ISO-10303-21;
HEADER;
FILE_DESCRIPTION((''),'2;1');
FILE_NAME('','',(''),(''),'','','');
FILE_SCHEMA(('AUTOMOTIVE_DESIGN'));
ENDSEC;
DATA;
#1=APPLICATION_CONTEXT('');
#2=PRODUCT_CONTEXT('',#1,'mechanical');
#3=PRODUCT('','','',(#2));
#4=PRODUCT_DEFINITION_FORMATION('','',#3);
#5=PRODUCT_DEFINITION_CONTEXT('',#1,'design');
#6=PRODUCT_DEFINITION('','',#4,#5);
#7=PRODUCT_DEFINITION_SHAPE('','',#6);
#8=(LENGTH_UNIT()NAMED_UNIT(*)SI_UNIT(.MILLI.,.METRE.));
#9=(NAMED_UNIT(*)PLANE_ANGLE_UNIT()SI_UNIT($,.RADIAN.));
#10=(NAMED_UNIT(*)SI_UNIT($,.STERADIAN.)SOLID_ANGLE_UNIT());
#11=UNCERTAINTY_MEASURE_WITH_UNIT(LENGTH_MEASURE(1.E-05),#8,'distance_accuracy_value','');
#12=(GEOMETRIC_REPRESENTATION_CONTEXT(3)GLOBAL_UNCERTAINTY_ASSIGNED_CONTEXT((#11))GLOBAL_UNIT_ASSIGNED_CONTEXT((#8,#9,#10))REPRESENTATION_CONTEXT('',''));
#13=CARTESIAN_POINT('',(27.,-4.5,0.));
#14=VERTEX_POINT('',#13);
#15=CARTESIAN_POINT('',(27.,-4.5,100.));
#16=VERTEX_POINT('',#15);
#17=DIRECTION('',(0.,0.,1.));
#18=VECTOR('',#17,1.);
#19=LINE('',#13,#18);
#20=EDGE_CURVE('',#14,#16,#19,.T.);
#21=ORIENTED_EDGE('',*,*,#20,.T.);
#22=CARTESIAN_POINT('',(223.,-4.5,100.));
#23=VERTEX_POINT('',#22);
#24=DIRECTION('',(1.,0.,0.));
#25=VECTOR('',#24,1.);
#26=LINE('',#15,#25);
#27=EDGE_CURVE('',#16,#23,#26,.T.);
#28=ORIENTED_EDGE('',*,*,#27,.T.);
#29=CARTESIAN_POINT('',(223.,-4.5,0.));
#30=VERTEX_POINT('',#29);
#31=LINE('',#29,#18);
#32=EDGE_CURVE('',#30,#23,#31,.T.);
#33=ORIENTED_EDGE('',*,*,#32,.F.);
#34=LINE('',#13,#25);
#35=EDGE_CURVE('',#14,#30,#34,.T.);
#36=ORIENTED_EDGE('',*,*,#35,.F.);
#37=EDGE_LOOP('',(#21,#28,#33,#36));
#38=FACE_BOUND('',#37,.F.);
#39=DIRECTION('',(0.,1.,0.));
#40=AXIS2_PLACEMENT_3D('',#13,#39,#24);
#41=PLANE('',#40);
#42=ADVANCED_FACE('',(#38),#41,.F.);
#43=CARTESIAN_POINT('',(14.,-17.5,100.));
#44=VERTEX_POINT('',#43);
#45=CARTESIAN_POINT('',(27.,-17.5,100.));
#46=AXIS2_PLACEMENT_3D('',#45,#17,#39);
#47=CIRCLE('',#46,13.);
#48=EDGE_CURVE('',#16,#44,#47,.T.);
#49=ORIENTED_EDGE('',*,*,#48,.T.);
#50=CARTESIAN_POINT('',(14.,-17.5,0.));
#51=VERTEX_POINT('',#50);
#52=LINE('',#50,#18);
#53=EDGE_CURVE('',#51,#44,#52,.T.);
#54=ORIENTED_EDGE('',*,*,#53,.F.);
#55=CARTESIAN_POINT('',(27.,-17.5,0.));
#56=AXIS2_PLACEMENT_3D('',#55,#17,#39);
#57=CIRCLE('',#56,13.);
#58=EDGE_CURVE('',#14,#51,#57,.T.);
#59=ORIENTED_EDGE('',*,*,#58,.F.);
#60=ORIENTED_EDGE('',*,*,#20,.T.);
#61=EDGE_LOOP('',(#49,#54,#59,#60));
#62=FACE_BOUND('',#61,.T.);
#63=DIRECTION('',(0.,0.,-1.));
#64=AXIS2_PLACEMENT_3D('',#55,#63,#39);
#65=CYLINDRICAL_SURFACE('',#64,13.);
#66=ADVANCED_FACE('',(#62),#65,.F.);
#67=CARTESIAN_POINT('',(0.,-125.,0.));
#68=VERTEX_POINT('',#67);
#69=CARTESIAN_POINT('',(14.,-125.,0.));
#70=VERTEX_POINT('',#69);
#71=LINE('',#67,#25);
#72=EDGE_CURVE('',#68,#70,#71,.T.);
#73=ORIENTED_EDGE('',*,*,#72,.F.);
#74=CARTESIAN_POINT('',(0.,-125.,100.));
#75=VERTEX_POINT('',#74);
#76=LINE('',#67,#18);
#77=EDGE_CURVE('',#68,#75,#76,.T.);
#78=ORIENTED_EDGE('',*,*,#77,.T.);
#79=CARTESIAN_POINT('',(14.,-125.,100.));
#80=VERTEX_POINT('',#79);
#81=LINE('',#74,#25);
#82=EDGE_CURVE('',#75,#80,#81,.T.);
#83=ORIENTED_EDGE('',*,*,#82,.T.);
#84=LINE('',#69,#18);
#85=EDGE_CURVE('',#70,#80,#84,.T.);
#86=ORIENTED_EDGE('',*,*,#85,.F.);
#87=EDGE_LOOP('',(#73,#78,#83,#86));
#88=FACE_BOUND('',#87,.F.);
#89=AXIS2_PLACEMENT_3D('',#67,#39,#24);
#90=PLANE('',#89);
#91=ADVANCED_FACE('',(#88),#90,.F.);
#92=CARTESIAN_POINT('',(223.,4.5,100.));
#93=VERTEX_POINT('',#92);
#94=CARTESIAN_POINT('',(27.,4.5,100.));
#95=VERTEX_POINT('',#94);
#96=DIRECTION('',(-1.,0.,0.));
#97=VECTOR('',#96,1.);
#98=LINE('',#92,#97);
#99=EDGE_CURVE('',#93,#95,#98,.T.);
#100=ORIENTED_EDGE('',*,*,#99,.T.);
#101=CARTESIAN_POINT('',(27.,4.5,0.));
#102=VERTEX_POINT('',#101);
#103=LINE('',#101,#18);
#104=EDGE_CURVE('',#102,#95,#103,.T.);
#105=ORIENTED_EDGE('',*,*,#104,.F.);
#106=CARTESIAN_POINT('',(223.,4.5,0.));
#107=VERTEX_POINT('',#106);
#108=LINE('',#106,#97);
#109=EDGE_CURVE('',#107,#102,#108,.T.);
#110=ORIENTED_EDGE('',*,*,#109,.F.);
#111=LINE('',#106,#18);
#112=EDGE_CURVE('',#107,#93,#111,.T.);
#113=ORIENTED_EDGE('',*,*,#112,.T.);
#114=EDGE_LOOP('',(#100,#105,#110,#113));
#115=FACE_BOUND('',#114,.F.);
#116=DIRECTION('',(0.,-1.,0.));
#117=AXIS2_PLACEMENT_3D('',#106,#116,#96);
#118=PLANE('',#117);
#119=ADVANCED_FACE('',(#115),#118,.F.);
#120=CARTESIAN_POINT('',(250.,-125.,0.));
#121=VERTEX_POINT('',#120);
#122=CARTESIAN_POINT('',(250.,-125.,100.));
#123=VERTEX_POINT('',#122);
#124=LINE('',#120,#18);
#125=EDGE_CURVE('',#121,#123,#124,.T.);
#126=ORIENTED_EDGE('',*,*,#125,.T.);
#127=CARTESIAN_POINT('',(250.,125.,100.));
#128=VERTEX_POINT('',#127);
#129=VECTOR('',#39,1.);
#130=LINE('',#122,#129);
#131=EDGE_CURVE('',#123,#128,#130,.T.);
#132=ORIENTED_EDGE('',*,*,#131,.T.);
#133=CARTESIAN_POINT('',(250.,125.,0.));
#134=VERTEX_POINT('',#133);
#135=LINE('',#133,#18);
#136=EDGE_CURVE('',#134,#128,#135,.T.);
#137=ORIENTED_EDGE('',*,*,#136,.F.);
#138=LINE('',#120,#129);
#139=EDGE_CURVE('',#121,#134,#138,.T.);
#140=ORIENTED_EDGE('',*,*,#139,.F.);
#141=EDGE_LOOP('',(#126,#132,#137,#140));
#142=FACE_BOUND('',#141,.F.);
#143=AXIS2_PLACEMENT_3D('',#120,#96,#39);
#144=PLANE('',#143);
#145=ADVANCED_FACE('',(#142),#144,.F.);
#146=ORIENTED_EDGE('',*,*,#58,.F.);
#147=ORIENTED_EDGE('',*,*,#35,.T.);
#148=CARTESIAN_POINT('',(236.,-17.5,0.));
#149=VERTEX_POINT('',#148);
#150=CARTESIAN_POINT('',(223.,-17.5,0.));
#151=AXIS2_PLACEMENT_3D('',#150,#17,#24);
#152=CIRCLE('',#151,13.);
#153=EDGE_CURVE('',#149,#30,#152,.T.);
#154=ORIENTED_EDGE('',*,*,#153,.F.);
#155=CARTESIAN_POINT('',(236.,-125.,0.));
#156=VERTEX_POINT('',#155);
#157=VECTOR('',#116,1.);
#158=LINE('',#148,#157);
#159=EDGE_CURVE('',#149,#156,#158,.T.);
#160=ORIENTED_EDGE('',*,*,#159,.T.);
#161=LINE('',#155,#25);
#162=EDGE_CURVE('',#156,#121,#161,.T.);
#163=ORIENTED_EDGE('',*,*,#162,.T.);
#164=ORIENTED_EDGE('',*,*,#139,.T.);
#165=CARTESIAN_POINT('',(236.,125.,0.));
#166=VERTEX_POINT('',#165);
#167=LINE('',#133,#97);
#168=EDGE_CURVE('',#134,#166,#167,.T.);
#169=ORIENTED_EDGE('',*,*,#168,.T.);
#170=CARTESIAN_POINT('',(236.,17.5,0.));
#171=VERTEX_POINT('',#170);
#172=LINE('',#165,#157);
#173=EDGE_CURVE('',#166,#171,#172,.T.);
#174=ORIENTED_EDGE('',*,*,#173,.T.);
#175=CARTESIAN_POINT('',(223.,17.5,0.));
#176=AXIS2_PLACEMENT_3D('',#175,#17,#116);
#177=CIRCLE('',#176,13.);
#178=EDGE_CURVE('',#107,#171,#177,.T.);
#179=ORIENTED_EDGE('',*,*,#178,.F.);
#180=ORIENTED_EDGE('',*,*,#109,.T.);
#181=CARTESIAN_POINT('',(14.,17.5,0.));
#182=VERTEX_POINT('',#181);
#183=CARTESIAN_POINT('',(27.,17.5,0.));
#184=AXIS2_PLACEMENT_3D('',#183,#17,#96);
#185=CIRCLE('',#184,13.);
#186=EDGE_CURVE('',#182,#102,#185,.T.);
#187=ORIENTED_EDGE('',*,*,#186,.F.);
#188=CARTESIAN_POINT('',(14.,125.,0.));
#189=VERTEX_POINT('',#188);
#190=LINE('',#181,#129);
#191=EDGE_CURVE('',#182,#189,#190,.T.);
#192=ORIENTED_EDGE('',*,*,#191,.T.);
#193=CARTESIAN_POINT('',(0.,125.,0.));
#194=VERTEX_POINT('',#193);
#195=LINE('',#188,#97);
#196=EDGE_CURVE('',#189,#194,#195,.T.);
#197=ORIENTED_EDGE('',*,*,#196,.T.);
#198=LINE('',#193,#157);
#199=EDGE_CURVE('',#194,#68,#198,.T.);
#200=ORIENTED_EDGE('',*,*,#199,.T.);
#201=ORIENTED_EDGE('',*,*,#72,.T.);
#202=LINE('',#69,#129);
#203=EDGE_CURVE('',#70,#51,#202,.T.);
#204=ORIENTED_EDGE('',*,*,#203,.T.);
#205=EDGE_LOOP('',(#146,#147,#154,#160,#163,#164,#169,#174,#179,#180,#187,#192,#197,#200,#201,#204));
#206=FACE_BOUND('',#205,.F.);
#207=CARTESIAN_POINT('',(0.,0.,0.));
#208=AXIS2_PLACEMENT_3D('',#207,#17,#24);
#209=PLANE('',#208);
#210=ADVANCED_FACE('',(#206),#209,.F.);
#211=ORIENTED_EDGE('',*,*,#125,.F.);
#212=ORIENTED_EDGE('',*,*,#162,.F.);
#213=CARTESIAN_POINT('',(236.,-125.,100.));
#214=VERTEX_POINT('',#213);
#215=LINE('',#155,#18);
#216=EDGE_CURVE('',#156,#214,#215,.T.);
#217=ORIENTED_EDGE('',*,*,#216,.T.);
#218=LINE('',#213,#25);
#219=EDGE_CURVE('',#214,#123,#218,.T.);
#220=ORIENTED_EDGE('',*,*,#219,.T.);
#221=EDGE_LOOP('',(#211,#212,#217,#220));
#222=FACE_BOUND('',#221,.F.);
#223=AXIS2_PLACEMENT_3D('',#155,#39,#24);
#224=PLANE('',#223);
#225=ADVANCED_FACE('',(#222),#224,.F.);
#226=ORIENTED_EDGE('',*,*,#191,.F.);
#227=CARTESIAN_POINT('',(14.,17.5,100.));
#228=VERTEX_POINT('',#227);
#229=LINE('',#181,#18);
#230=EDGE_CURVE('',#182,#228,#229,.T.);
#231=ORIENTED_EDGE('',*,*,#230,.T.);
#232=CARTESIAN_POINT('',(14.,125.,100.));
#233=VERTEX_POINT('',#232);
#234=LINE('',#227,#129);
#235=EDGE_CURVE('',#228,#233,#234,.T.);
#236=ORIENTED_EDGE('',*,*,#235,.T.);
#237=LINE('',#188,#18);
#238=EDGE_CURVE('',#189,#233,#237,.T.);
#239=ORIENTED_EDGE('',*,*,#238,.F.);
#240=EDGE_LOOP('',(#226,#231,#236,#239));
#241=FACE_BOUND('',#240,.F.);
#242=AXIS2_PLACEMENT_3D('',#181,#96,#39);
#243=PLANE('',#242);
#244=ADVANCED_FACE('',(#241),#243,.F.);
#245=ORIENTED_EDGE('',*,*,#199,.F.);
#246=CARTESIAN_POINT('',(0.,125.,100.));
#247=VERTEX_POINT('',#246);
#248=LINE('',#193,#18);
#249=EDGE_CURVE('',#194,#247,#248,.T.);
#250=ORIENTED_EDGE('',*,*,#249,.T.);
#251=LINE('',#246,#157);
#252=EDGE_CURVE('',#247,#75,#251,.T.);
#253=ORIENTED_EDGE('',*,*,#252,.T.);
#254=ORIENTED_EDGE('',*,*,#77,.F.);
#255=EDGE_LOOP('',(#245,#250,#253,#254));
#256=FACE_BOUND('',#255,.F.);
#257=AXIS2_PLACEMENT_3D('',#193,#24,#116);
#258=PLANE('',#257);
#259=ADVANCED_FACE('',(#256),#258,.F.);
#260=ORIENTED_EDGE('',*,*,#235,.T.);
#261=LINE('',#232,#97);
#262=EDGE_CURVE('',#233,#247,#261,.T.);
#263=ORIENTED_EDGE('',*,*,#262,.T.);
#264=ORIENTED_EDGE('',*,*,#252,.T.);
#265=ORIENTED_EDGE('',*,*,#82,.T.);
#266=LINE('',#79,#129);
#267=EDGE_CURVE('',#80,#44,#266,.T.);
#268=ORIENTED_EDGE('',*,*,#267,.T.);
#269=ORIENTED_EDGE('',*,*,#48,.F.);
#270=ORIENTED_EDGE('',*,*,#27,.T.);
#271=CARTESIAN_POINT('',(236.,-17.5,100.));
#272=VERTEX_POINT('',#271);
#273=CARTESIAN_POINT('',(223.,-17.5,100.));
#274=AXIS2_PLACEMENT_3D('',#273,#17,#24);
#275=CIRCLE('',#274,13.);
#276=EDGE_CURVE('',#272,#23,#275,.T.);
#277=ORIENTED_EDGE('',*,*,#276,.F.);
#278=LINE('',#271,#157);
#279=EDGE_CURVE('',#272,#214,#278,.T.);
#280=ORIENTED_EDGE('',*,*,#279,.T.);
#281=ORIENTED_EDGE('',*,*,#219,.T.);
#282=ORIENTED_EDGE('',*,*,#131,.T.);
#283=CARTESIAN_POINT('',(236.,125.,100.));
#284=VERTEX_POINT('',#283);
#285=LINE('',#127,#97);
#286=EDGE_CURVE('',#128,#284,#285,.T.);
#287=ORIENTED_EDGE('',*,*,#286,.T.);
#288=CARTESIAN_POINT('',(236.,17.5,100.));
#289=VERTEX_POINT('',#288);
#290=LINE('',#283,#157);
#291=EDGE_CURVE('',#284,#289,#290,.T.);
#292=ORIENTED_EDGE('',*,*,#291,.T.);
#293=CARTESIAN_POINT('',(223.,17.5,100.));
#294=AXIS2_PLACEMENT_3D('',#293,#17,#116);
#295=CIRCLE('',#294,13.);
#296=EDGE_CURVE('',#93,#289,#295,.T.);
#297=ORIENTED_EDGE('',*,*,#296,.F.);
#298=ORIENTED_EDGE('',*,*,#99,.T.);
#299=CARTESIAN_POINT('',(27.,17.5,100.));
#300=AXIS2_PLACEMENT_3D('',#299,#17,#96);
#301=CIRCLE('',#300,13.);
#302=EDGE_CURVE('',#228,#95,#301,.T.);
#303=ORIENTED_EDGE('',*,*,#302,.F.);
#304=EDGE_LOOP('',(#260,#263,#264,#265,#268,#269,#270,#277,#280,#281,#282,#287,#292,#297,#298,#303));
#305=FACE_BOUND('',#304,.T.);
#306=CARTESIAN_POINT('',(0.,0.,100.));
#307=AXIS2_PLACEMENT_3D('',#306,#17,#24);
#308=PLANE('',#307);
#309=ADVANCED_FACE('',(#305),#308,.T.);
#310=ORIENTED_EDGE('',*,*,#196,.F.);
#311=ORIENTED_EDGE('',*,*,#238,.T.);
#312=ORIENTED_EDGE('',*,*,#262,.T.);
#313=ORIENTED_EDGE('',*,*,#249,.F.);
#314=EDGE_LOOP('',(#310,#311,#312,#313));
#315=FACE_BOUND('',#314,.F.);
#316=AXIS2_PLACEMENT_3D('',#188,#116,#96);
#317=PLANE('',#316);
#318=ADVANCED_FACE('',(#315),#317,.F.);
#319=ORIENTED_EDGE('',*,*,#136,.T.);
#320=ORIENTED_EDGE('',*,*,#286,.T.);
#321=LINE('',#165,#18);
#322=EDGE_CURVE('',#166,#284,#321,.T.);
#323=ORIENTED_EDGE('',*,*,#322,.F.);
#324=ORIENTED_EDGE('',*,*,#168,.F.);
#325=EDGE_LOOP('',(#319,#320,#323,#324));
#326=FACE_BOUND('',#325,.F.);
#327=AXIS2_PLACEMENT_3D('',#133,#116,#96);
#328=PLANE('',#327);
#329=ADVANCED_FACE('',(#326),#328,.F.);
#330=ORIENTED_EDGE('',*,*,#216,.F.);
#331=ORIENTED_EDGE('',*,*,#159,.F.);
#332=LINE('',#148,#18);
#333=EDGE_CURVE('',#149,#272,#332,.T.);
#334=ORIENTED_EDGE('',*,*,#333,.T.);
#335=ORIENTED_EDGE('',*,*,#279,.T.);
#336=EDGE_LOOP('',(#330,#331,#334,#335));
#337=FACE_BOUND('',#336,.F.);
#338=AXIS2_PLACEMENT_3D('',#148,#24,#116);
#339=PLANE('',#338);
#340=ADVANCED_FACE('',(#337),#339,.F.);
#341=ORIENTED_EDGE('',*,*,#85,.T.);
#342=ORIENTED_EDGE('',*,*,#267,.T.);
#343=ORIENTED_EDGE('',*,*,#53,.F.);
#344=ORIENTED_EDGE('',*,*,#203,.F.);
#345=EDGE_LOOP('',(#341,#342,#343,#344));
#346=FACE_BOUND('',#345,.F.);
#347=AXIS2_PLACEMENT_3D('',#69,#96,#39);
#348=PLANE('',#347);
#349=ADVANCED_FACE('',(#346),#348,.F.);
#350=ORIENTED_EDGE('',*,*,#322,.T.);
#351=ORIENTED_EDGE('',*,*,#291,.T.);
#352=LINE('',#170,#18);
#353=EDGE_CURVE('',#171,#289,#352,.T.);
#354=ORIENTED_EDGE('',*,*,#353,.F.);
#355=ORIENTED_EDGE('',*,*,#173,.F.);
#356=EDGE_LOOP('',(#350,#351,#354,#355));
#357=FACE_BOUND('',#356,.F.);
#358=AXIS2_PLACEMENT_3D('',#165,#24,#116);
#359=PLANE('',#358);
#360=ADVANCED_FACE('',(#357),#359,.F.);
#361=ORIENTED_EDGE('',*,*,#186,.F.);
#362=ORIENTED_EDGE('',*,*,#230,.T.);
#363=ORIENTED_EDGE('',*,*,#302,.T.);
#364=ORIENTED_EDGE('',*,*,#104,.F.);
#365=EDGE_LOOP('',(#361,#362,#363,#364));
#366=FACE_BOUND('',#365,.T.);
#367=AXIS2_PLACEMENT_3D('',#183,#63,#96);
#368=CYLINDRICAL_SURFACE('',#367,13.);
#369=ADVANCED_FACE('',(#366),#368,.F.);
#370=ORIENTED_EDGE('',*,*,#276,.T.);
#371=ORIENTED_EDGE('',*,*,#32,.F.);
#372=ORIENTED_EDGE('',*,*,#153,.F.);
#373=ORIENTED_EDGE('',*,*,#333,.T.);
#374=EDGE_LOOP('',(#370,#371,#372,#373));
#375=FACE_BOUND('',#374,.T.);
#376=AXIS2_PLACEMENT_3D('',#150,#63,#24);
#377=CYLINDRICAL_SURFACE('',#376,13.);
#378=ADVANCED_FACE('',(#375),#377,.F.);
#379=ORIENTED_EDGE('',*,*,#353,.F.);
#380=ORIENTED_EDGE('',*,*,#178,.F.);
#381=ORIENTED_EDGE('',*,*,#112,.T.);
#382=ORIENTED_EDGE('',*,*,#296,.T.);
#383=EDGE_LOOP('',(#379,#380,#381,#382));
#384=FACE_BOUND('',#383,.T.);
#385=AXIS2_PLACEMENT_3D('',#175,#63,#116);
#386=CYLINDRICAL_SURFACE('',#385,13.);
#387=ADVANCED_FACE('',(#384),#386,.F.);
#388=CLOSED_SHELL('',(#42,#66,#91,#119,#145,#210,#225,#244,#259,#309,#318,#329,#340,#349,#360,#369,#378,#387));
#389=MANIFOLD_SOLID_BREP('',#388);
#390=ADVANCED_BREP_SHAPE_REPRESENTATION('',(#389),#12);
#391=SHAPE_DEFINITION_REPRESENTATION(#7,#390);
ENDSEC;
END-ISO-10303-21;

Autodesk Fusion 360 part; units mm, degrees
sketch "スケッチ1" plane through (0, 0, 0) normal (0, 0, 1) x (1, 0, 0)
  line L0 (0, 125) -> (0, -125)
  line L1 (250, -125) -> (250, 125)
  line L2 (236, -17.5) -> (236, -125)
  line L3 (14, -125) -> (14, -17.5)
  line L4 (0, -125) -> (14, -125)
  line L5 (236, -125) -> (250, -125)
  line L6 (223, 4.5) -> (27, 4.5)
  line L7 (27, -4.5) -> (223, -4.5)
  line L8 (14, 17.5) -> (14, 125)
  line L9 (14, 125) -> (0, 125)
  line L10 (236, 125) -> (236, 17.5)
  line L11 (250, 125) -> (236, 125)
  arc A0 (27, -4.5) -> (14, -17.5) centre (27, -17.5) ccw
  arc A1 (14, 17.5) -> (27, 4.5) centre (27, 17.5) ccw
  arc A2 (223, 4.5) -> (236, 17.5) centre (223, 17.5) ccw
  arc A3 (236, -17.5) -> (223, -4.5) centre (223, -17.5) ccw
extrude "押し出し1" add sketch "スケッチ1" along normal blind 100
